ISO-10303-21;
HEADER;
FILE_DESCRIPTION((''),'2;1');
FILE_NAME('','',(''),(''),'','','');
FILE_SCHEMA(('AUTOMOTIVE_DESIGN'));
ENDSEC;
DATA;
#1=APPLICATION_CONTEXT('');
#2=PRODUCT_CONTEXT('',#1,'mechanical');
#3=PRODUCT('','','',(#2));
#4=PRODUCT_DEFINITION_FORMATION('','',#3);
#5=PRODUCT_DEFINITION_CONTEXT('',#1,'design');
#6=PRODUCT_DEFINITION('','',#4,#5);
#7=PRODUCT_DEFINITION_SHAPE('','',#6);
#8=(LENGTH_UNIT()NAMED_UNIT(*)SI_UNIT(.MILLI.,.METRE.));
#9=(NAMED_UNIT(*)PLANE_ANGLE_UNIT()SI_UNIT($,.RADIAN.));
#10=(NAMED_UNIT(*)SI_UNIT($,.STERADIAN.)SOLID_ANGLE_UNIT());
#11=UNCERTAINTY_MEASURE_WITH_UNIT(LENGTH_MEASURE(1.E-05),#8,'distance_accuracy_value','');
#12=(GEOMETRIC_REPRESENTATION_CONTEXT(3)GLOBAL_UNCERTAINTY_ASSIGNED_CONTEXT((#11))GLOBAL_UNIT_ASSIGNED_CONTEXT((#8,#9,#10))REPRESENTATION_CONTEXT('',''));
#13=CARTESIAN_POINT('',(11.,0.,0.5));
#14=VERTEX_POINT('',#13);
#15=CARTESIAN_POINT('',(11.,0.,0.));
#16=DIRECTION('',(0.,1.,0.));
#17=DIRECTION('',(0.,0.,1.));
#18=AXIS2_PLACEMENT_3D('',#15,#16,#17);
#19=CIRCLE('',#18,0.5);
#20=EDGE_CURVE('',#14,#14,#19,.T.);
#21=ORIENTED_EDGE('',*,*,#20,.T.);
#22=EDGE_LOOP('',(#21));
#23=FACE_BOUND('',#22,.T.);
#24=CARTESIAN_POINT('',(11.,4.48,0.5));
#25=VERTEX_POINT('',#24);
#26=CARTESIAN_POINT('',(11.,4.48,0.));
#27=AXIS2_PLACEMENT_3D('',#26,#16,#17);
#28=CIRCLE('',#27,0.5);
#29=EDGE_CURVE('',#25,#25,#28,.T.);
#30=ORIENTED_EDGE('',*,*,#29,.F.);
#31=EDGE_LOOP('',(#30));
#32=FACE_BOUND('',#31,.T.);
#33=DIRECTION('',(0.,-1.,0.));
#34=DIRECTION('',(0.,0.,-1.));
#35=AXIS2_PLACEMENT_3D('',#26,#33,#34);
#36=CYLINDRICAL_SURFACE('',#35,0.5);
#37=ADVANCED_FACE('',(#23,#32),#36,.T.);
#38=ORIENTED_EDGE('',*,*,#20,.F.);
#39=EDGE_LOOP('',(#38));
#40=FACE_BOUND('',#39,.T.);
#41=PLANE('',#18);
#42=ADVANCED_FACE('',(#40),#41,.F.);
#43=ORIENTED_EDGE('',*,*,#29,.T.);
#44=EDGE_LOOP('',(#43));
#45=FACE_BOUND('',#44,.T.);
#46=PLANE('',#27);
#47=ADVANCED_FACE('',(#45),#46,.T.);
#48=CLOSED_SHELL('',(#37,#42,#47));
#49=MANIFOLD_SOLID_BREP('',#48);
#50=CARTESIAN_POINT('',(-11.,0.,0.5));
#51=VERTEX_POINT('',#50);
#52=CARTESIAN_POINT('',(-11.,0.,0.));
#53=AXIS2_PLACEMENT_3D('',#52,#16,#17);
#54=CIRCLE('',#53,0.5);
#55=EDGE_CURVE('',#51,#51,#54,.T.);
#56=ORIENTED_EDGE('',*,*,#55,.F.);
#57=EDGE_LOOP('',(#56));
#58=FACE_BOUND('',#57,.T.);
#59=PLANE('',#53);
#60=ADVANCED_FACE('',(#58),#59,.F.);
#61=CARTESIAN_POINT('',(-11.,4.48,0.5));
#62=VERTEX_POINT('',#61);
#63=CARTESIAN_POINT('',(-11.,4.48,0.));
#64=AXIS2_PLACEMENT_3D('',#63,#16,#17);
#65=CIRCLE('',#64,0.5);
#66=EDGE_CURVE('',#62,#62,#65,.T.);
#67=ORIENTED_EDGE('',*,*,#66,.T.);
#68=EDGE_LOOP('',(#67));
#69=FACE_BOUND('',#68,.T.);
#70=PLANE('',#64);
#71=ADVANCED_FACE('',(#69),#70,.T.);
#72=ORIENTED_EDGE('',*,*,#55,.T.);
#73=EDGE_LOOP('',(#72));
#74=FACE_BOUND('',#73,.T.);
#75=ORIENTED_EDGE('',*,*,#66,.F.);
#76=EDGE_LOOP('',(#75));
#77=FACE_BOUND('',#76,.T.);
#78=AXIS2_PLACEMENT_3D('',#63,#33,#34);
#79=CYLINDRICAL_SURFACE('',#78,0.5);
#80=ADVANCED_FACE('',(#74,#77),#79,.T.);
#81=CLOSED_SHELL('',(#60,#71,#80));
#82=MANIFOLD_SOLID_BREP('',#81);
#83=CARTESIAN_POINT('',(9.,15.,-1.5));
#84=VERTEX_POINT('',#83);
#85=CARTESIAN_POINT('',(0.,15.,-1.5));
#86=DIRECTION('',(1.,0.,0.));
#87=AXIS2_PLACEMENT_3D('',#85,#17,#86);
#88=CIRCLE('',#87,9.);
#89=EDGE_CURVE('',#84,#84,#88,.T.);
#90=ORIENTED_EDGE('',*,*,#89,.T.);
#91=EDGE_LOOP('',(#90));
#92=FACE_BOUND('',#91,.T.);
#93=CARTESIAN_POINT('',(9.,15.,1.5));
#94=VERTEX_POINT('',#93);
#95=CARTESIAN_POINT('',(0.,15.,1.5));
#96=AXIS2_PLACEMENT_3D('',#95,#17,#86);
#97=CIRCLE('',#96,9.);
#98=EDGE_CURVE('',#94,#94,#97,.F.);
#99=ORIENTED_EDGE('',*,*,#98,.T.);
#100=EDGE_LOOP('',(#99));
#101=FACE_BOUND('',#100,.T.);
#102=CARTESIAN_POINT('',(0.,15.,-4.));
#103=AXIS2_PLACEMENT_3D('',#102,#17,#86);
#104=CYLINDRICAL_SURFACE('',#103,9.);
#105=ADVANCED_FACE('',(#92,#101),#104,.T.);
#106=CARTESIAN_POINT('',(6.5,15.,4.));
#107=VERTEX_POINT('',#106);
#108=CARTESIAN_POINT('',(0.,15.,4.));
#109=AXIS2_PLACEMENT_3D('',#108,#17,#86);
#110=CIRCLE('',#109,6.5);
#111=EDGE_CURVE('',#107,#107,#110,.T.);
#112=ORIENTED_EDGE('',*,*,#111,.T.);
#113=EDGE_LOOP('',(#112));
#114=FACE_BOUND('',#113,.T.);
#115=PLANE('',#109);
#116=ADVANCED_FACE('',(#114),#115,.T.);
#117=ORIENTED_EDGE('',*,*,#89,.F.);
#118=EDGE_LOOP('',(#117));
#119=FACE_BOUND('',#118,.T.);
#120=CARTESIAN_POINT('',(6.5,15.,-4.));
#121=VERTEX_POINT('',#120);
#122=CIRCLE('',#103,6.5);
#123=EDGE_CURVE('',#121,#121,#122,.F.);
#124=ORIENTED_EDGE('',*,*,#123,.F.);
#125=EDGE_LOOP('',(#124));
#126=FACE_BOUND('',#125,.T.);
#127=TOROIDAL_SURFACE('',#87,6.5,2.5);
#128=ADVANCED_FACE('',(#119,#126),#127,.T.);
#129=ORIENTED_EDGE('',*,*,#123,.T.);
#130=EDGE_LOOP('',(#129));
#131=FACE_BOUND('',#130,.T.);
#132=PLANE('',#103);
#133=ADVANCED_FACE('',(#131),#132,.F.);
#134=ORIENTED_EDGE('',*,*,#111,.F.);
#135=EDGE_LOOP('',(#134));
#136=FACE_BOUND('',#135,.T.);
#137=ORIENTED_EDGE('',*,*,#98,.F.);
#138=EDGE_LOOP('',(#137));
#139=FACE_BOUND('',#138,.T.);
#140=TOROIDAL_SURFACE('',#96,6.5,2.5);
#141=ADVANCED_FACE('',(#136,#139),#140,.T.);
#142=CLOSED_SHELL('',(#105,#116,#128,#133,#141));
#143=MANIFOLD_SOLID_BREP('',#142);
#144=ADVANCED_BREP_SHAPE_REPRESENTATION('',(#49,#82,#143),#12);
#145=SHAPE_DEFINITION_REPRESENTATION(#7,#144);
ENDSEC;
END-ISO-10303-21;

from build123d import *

# Parameters (mm, degrees)
EXTRUDE_1_DEPTH      = 4
EXTRUDE_1_DEPTH_BACK = 4
SKETCH_1_R           = 9
SKETCH_3_R           = 0.5
EXTRUDE_2_DEPTH      = 4.48
EXTRUDE_2_2_DEPTH    = 4.48
FILLET_1_R           = 2.5


with BuildPart() as part:
    # Эскиз1 → Вытянуть1 (new, two sides: drawn at the far end of the back side and taken through both)
    with BuildSketch(Plane.XY.offset(-EXTRUDE_1_DEPTH_BACK)):
        with Locations((0, 15)):
            Circle(SKETCH_1_R)
    extrude(amount=EXTRUDE_1_DEPTH + EXTRUDE_1_DEPTH_BACK)

    # Скругление1
    fillet_1_edges = [part.edges().sort_by_distance(p)[0] for p in [
        (-9, 15, -4),
        (-9, 15, 4),
    ]]
    fillet(fillet_1_edges, radius=FILLET_1_R)


with BuildPart() as body_2:
    # Эскиз3 → Вытянуть2 (new body)
    with BuildSketch(Plane(origin=(0, 0, 0), x_dir=(1, 0, 0), z_dir=(0, 1, 0))):
        with Locations((-11, 0)):
            Circle(SKETCH_3_R)
    extrude(amount=EXTRUDE_2_DEPTH)


with BuildPart() as body_3:
    # Эскиз3 → Extrude 2 2 (new body)
    with BuildSketch(Plane(origin=(0, 0, 0), x_dir=(1, 0, 0), z_dir=(0, 1, 0))):
        with Locations((11, 0)):
            Circle(SKETCH_3_R)
    extrude(amount=EXTRUDE_2_2_DEPTH)


solid = Compound([part.part, body_2.part, body_3.part])
